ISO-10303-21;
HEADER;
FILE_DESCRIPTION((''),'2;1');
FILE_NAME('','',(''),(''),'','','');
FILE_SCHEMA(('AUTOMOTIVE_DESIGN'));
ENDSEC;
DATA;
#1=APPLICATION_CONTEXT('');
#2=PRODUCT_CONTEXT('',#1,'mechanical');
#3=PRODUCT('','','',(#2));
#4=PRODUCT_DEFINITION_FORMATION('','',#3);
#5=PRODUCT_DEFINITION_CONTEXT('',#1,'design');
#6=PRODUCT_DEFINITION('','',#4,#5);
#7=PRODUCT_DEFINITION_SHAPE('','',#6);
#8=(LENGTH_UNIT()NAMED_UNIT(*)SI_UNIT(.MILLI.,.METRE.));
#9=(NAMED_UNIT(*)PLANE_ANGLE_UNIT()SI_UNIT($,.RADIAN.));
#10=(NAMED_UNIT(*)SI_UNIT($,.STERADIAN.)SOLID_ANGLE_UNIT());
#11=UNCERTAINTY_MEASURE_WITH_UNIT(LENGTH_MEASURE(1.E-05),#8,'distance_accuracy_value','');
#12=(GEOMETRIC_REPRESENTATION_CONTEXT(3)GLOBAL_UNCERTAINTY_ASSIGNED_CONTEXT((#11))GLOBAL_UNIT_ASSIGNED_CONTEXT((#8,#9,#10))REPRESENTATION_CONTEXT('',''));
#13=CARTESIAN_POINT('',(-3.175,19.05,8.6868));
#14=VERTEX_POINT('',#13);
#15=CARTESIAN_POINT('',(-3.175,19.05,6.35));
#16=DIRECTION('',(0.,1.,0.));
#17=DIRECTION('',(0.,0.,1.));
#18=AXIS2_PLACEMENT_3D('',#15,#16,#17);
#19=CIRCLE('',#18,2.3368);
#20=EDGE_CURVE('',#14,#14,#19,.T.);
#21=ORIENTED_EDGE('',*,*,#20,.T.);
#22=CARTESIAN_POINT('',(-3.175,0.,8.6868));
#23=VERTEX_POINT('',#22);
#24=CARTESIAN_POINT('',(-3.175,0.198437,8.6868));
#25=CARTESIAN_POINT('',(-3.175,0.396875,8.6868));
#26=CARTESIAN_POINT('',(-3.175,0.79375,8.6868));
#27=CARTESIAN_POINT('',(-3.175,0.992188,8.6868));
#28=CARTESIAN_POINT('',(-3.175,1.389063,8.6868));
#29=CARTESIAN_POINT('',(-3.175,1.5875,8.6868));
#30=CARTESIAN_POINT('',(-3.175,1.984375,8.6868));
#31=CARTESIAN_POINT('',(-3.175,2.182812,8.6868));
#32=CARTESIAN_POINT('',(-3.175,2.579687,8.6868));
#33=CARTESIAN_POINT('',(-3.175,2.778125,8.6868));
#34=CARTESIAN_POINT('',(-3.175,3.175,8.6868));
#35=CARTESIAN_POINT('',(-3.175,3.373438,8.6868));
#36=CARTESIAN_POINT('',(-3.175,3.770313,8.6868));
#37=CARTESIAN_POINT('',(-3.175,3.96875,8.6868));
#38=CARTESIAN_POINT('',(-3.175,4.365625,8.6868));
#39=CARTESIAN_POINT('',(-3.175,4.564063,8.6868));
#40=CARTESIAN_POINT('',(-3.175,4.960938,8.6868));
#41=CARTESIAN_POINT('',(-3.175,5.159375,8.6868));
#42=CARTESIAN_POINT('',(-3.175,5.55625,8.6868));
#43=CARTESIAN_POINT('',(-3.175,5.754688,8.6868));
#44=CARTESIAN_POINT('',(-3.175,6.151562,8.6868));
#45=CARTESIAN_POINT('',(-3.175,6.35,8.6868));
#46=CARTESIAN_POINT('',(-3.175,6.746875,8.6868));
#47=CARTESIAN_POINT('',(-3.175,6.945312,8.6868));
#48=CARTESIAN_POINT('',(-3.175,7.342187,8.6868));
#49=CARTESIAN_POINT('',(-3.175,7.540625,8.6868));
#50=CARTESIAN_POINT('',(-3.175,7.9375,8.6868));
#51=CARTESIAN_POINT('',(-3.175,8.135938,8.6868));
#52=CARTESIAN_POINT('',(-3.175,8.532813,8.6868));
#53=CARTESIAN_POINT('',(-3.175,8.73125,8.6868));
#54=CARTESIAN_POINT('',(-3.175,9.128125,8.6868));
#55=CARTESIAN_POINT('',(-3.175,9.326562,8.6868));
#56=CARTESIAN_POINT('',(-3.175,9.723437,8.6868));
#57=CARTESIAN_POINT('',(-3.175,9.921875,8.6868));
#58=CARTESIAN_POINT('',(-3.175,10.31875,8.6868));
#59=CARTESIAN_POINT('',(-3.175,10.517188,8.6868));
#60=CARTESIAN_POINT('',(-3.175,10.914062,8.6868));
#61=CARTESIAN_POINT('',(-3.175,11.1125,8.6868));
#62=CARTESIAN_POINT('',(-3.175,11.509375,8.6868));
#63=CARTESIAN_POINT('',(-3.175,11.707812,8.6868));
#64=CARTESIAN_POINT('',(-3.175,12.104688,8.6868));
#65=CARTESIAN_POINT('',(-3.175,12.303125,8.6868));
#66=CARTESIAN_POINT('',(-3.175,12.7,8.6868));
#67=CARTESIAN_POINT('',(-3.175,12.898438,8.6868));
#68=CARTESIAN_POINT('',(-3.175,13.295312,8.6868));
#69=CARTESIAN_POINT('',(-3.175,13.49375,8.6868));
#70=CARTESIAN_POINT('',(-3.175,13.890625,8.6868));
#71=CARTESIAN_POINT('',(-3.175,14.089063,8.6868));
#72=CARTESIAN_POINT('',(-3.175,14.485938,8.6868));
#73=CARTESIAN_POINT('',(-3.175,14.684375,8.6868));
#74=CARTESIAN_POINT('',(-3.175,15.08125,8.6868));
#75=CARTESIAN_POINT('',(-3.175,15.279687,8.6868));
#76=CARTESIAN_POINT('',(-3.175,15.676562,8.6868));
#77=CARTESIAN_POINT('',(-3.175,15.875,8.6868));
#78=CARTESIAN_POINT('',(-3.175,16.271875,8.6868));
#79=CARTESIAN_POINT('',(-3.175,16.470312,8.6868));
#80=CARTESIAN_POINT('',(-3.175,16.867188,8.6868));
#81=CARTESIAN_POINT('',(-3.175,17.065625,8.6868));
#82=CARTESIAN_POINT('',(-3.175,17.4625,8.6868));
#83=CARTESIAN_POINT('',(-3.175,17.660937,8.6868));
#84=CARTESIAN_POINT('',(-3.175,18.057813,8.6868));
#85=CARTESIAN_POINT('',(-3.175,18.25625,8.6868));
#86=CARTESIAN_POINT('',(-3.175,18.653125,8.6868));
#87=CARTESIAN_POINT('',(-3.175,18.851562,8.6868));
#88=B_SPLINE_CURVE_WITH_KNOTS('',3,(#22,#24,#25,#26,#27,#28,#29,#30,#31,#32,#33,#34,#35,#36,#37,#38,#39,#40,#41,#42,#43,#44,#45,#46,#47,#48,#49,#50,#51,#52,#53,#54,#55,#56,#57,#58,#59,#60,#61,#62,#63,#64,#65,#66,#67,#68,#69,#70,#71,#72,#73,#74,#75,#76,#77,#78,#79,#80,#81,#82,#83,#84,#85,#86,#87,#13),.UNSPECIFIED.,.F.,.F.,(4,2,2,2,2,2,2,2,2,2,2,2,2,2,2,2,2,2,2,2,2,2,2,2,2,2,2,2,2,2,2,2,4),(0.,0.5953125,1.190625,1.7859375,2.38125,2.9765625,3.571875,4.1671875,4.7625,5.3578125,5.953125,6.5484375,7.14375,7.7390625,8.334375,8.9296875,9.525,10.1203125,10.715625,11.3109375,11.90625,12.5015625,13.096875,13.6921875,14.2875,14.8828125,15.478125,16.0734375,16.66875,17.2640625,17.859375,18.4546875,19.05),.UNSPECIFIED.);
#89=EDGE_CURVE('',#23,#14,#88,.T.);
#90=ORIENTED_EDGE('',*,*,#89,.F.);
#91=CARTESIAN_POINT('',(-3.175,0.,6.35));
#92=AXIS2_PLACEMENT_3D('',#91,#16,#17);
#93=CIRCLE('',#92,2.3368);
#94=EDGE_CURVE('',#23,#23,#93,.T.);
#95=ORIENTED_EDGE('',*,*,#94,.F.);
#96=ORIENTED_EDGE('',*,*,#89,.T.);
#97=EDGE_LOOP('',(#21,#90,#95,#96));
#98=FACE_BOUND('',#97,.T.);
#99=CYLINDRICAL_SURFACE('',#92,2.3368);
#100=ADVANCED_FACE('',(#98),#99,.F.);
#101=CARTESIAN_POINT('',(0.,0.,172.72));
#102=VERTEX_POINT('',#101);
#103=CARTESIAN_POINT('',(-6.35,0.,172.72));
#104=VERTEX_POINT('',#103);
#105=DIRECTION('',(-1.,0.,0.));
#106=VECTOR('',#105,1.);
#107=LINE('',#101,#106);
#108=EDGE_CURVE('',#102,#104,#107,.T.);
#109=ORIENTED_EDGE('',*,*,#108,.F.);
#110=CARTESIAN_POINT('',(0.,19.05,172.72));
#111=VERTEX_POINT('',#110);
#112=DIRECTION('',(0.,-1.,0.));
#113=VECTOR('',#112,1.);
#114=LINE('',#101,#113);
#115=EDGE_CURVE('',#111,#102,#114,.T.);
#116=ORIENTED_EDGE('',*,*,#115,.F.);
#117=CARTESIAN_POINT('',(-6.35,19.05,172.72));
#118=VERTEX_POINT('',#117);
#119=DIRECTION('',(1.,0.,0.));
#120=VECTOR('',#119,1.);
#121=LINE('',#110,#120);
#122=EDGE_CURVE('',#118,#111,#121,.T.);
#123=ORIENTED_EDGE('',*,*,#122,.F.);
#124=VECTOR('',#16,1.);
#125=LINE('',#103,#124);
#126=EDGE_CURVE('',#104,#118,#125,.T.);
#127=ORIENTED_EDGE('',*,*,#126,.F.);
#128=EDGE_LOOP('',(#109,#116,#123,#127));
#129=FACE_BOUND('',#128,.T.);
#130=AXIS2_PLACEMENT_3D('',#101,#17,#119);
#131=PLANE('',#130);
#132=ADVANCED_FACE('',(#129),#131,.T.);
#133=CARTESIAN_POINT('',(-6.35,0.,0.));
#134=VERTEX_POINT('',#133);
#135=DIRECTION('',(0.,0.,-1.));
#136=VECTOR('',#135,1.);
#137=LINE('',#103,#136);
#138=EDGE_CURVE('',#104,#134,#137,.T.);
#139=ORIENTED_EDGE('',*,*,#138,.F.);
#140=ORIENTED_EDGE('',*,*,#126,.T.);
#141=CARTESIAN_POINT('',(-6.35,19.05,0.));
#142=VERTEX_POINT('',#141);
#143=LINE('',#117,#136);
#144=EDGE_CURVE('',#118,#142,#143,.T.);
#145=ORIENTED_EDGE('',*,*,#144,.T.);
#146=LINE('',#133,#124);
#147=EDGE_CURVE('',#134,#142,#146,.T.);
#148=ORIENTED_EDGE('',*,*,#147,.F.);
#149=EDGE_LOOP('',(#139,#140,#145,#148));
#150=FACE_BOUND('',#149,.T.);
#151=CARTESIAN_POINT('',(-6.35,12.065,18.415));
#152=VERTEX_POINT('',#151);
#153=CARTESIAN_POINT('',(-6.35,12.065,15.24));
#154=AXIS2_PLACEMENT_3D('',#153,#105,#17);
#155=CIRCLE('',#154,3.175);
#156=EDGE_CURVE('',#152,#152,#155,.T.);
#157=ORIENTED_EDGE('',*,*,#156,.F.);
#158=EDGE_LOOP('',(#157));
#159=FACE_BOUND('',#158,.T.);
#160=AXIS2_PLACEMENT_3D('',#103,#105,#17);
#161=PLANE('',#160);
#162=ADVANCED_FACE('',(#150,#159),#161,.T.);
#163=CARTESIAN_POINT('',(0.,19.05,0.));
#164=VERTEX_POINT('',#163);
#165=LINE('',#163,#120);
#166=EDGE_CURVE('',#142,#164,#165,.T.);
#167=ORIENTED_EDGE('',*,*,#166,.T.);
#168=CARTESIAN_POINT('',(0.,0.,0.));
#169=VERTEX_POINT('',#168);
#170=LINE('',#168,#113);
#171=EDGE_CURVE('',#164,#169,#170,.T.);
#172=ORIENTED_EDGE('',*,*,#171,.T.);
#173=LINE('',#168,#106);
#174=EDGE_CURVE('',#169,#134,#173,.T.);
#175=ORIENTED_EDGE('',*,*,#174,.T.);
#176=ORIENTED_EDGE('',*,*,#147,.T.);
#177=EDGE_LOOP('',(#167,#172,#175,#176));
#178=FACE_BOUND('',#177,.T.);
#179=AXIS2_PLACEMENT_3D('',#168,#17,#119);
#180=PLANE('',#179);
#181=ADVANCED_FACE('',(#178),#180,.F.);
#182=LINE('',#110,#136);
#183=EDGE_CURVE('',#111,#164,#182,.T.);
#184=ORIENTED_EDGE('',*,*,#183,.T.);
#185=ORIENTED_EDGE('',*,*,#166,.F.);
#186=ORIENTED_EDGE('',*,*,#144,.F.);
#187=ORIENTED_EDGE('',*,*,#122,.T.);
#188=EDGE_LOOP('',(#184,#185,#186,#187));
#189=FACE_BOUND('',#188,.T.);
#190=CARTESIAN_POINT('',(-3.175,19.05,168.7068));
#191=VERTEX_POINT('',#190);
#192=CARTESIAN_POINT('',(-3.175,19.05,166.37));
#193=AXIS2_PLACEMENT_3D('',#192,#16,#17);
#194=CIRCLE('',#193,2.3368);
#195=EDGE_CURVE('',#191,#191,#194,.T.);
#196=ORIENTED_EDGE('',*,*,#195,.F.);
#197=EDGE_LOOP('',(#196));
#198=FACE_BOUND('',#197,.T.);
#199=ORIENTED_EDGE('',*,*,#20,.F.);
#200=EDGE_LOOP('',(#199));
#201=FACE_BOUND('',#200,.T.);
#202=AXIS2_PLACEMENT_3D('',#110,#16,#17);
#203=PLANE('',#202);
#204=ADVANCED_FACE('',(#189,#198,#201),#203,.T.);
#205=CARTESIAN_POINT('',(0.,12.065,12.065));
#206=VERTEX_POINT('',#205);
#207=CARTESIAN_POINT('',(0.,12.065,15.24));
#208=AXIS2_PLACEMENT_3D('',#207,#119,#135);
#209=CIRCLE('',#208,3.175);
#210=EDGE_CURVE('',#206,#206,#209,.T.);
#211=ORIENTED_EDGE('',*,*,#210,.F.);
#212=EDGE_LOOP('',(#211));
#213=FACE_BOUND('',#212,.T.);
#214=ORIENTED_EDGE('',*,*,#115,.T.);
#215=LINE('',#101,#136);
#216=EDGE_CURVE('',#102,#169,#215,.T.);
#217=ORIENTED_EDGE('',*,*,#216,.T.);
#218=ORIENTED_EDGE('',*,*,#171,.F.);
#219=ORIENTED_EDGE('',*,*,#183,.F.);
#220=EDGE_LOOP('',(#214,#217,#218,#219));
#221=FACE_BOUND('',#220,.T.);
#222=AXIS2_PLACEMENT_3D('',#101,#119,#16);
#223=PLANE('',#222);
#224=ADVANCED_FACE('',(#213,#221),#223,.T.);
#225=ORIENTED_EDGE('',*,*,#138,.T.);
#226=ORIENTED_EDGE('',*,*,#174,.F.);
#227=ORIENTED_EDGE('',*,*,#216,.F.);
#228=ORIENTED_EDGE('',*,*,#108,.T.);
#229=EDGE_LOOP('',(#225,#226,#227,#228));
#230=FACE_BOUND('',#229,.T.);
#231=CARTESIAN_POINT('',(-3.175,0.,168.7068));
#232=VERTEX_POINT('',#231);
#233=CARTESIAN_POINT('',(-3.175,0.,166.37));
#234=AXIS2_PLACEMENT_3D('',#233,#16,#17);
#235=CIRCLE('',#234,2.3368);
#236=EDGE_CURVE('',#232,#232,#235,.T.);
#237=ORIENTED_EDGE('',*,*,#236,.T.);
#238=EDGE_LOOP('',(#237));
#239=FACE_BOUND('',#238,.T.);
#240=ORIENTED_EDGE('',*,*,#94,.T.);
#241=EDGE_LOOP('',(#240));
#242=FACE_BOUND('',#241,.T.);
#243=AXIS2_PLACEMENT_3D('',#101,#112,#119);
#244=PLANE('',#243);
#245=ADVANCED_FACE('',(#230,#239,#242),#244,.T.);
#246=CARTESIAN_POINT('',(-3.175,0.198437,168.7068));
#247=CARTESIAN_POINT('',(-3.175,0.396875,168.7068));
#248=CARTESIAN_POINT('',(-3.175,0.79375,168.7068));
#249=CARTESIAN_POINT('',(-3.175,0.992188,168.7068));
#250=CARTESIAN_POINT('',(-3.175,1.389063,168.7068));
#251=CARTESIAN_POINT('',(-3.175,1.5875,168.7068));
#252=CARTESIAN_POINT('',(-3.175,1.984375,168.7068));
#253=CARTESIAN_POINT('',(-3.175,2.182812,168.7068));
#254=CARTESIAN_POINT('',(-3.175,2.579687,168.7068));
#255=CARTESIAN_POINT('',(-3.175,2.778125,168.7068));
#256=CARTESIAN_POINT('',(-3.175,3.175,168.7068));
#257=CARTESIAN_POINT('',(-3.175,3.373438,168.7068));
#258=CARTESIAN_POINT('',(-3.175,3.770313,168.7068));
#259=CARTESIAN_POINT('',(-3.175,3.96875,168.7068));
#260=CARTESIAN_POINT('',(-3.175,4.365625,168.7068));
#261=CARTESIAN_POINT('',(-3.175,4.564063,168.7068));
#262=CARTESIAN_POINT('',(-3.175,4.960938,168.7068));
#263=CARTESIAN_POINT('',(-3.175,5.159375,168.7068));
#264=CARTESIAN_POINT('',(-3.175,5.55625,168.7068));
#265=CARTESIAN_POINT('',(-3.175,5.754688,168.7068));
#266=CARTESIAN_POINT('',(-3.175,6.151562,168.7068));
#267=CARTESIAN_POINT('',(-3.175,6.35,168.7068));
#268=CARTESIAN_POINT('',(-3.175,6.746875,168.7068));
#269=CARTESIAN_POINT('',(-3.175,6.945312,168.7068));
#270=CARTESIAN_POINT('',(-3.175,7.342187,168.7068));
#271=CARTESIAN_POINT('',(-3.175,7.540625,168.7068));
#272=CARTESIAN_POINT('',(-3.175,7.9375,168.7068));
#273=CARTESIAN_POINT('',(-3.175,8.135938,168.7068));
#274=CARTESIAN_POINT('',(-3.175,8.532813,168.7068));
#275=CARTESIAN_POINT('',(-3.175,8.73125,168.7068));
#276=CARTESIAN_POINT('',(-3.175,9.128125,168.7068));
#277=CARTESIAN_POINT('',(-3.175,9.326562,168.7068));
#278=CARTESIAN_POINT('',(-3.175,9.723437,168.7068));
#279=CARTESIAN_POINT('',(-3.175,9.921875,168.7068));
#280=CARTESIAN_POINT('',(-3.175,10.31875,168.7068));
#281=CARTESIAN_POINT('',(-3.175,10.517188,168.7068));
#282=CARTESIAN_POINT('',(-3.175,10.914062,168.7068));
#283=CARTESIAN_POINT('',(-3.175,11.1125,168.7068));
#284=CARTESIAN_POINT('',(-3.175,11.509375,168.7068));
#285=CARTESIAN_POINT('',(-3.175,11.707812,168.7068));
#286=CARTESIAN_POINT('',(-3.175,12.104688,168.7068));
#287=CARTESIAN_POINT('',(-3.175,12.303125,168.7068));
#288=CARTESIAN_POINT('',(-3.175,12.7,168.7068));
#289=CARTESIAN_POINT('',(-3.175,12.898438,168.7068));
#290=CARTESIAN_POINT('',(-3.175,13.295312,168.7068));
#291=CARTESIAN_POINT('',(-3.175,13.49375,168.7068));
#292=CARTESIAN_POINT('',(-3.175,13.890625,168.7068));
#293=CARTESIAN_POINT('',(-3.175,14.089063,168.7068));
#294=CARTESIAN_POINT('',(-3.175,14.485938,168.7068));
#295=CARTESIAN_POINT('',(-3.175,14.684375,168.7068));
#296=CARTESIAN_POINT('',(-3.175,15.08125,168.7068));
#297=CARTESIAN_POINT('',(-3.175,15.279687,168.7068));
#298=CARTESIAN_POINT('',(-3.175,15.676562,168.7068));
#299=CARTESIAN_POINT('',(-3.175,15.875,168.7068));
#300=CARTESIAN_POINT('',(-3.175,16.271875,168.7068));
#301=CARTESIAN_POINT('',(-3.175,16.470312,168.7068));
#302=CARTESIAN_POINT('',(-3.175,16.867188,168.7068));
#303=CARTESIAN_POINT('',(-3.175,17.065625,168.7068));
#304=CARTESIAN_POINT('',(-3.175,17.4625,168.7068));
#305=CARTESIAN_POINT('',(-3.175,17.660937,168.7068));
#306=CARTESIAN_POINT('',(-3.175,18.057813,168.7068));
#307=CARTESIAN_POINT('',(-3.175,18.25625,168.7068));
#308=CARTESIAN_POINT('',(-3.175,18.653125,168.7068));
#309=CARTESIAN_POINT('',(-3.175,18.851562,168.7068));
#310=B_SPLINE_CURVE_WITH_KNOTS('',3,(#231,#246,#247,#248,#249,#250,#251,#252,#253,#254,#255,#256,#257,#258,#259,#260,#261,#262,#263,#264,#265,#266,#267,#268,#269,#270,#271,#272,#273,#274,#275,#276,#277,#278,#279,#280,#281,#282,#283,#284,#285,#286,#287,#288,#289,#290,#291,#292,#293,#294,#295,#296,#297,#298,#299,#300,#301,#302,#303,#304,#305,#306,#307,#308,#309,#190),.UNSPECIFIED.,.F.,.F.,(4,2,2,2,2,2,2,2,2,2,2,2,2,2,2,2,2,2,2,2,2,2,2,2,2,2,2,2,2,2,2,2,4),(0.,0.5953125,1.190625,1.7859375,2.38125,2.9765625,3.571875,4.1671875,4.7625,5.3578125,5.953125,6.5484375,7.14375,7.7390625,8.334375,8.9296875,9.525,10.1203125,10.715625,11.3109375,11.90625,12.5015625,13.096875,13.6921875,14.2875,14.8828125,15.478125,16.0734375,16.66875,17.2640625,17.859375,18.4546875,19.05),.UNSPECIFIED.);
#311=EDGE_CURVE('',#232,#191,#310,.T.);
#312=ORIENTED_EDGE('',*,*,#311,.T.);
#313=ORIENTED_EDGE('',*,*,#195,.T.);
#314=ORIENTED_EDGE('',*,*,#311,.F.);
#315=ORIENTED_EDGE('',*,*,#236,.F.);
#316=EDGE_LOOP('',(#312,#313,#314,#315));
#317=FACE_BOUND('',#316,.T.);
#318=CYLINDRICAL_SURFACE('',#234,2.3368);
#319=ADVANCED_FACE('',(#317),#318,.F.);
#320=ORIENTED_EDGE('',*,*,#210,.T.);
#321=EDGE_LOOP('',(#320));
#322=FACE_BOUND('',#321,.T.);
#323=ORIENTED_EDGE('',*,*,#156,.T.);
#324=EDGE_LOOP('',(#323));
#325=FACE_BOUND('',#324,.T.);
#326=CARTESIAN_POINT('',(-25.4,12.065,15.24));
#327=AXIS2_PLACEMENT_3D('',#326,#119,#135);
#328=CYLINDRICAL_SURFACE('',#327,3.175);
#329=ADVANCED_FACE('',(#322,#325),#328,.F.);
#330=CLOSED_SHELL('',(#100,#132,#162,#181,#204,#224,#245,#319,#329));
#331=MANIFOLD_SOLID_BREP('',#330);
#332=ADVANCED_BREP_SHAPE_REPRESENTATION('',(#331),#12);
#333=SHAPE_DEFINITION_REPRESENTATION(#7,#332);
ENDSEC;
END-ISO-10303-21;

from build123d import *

# Parameters (mm, degrees)
SKETCH1_W           = 6.35
SKETCH1_H           = 19.05
BOSS_EXTRUDE1_DEPTH = 172.72
SKETCH4_R           = 3.175000102
CUT_EXTRUDE3_DEPTH  = 25.4
SKETCH2_R           = 2.3368
CUT_EXTRUDE4_DEPTH  = 174.883361481


with BuildPart() as part:
    # Sketch1 → Boss-Extrude1 (new body)
    with BuildSketch(Plane.XY):
        with Locations((-3.175, 9.525)):
            Rectangle(SKETCH1_W, SKETCH1_H)
    extrude(amount=BOSS_EXTRUDE1_DEPTH)

    # Sketch4 → Cut-Extrude3 (cut)
    with BuildSketch(Plane(origin=(0, 0, 0), x_dir=(0, 0, -1), z_dir=(1, 0, 0))):
        with Locations((-15.24, 12.065)):
            Circle(SKETCH4_R)
    extrude(amount=-CUT_EXTRUDE3_DEPTH, mode=Mode.SUBTRACT)

    # Sketch2 → Cut-Extrude4 (cut, through all)
    with BuildSketch(Plane(origin=(0, 19.05, 0), x_dir=(1, 0, 0), z_dir=(0, 1, 0))):
        with Locations(Location((-3.175, -166.37, 0), (0, 0, 270))):
            Circle(SKETCH2_R)
        with Locations(Location((-3.175, -6.35, 0), (0, 0, 270))):
            Circle(SKETCH2_R)
    extrude(amount=-CUT_EXTRUDE4_DEPTH, mode=Mode.SUBTRACT)


solid = part.part
